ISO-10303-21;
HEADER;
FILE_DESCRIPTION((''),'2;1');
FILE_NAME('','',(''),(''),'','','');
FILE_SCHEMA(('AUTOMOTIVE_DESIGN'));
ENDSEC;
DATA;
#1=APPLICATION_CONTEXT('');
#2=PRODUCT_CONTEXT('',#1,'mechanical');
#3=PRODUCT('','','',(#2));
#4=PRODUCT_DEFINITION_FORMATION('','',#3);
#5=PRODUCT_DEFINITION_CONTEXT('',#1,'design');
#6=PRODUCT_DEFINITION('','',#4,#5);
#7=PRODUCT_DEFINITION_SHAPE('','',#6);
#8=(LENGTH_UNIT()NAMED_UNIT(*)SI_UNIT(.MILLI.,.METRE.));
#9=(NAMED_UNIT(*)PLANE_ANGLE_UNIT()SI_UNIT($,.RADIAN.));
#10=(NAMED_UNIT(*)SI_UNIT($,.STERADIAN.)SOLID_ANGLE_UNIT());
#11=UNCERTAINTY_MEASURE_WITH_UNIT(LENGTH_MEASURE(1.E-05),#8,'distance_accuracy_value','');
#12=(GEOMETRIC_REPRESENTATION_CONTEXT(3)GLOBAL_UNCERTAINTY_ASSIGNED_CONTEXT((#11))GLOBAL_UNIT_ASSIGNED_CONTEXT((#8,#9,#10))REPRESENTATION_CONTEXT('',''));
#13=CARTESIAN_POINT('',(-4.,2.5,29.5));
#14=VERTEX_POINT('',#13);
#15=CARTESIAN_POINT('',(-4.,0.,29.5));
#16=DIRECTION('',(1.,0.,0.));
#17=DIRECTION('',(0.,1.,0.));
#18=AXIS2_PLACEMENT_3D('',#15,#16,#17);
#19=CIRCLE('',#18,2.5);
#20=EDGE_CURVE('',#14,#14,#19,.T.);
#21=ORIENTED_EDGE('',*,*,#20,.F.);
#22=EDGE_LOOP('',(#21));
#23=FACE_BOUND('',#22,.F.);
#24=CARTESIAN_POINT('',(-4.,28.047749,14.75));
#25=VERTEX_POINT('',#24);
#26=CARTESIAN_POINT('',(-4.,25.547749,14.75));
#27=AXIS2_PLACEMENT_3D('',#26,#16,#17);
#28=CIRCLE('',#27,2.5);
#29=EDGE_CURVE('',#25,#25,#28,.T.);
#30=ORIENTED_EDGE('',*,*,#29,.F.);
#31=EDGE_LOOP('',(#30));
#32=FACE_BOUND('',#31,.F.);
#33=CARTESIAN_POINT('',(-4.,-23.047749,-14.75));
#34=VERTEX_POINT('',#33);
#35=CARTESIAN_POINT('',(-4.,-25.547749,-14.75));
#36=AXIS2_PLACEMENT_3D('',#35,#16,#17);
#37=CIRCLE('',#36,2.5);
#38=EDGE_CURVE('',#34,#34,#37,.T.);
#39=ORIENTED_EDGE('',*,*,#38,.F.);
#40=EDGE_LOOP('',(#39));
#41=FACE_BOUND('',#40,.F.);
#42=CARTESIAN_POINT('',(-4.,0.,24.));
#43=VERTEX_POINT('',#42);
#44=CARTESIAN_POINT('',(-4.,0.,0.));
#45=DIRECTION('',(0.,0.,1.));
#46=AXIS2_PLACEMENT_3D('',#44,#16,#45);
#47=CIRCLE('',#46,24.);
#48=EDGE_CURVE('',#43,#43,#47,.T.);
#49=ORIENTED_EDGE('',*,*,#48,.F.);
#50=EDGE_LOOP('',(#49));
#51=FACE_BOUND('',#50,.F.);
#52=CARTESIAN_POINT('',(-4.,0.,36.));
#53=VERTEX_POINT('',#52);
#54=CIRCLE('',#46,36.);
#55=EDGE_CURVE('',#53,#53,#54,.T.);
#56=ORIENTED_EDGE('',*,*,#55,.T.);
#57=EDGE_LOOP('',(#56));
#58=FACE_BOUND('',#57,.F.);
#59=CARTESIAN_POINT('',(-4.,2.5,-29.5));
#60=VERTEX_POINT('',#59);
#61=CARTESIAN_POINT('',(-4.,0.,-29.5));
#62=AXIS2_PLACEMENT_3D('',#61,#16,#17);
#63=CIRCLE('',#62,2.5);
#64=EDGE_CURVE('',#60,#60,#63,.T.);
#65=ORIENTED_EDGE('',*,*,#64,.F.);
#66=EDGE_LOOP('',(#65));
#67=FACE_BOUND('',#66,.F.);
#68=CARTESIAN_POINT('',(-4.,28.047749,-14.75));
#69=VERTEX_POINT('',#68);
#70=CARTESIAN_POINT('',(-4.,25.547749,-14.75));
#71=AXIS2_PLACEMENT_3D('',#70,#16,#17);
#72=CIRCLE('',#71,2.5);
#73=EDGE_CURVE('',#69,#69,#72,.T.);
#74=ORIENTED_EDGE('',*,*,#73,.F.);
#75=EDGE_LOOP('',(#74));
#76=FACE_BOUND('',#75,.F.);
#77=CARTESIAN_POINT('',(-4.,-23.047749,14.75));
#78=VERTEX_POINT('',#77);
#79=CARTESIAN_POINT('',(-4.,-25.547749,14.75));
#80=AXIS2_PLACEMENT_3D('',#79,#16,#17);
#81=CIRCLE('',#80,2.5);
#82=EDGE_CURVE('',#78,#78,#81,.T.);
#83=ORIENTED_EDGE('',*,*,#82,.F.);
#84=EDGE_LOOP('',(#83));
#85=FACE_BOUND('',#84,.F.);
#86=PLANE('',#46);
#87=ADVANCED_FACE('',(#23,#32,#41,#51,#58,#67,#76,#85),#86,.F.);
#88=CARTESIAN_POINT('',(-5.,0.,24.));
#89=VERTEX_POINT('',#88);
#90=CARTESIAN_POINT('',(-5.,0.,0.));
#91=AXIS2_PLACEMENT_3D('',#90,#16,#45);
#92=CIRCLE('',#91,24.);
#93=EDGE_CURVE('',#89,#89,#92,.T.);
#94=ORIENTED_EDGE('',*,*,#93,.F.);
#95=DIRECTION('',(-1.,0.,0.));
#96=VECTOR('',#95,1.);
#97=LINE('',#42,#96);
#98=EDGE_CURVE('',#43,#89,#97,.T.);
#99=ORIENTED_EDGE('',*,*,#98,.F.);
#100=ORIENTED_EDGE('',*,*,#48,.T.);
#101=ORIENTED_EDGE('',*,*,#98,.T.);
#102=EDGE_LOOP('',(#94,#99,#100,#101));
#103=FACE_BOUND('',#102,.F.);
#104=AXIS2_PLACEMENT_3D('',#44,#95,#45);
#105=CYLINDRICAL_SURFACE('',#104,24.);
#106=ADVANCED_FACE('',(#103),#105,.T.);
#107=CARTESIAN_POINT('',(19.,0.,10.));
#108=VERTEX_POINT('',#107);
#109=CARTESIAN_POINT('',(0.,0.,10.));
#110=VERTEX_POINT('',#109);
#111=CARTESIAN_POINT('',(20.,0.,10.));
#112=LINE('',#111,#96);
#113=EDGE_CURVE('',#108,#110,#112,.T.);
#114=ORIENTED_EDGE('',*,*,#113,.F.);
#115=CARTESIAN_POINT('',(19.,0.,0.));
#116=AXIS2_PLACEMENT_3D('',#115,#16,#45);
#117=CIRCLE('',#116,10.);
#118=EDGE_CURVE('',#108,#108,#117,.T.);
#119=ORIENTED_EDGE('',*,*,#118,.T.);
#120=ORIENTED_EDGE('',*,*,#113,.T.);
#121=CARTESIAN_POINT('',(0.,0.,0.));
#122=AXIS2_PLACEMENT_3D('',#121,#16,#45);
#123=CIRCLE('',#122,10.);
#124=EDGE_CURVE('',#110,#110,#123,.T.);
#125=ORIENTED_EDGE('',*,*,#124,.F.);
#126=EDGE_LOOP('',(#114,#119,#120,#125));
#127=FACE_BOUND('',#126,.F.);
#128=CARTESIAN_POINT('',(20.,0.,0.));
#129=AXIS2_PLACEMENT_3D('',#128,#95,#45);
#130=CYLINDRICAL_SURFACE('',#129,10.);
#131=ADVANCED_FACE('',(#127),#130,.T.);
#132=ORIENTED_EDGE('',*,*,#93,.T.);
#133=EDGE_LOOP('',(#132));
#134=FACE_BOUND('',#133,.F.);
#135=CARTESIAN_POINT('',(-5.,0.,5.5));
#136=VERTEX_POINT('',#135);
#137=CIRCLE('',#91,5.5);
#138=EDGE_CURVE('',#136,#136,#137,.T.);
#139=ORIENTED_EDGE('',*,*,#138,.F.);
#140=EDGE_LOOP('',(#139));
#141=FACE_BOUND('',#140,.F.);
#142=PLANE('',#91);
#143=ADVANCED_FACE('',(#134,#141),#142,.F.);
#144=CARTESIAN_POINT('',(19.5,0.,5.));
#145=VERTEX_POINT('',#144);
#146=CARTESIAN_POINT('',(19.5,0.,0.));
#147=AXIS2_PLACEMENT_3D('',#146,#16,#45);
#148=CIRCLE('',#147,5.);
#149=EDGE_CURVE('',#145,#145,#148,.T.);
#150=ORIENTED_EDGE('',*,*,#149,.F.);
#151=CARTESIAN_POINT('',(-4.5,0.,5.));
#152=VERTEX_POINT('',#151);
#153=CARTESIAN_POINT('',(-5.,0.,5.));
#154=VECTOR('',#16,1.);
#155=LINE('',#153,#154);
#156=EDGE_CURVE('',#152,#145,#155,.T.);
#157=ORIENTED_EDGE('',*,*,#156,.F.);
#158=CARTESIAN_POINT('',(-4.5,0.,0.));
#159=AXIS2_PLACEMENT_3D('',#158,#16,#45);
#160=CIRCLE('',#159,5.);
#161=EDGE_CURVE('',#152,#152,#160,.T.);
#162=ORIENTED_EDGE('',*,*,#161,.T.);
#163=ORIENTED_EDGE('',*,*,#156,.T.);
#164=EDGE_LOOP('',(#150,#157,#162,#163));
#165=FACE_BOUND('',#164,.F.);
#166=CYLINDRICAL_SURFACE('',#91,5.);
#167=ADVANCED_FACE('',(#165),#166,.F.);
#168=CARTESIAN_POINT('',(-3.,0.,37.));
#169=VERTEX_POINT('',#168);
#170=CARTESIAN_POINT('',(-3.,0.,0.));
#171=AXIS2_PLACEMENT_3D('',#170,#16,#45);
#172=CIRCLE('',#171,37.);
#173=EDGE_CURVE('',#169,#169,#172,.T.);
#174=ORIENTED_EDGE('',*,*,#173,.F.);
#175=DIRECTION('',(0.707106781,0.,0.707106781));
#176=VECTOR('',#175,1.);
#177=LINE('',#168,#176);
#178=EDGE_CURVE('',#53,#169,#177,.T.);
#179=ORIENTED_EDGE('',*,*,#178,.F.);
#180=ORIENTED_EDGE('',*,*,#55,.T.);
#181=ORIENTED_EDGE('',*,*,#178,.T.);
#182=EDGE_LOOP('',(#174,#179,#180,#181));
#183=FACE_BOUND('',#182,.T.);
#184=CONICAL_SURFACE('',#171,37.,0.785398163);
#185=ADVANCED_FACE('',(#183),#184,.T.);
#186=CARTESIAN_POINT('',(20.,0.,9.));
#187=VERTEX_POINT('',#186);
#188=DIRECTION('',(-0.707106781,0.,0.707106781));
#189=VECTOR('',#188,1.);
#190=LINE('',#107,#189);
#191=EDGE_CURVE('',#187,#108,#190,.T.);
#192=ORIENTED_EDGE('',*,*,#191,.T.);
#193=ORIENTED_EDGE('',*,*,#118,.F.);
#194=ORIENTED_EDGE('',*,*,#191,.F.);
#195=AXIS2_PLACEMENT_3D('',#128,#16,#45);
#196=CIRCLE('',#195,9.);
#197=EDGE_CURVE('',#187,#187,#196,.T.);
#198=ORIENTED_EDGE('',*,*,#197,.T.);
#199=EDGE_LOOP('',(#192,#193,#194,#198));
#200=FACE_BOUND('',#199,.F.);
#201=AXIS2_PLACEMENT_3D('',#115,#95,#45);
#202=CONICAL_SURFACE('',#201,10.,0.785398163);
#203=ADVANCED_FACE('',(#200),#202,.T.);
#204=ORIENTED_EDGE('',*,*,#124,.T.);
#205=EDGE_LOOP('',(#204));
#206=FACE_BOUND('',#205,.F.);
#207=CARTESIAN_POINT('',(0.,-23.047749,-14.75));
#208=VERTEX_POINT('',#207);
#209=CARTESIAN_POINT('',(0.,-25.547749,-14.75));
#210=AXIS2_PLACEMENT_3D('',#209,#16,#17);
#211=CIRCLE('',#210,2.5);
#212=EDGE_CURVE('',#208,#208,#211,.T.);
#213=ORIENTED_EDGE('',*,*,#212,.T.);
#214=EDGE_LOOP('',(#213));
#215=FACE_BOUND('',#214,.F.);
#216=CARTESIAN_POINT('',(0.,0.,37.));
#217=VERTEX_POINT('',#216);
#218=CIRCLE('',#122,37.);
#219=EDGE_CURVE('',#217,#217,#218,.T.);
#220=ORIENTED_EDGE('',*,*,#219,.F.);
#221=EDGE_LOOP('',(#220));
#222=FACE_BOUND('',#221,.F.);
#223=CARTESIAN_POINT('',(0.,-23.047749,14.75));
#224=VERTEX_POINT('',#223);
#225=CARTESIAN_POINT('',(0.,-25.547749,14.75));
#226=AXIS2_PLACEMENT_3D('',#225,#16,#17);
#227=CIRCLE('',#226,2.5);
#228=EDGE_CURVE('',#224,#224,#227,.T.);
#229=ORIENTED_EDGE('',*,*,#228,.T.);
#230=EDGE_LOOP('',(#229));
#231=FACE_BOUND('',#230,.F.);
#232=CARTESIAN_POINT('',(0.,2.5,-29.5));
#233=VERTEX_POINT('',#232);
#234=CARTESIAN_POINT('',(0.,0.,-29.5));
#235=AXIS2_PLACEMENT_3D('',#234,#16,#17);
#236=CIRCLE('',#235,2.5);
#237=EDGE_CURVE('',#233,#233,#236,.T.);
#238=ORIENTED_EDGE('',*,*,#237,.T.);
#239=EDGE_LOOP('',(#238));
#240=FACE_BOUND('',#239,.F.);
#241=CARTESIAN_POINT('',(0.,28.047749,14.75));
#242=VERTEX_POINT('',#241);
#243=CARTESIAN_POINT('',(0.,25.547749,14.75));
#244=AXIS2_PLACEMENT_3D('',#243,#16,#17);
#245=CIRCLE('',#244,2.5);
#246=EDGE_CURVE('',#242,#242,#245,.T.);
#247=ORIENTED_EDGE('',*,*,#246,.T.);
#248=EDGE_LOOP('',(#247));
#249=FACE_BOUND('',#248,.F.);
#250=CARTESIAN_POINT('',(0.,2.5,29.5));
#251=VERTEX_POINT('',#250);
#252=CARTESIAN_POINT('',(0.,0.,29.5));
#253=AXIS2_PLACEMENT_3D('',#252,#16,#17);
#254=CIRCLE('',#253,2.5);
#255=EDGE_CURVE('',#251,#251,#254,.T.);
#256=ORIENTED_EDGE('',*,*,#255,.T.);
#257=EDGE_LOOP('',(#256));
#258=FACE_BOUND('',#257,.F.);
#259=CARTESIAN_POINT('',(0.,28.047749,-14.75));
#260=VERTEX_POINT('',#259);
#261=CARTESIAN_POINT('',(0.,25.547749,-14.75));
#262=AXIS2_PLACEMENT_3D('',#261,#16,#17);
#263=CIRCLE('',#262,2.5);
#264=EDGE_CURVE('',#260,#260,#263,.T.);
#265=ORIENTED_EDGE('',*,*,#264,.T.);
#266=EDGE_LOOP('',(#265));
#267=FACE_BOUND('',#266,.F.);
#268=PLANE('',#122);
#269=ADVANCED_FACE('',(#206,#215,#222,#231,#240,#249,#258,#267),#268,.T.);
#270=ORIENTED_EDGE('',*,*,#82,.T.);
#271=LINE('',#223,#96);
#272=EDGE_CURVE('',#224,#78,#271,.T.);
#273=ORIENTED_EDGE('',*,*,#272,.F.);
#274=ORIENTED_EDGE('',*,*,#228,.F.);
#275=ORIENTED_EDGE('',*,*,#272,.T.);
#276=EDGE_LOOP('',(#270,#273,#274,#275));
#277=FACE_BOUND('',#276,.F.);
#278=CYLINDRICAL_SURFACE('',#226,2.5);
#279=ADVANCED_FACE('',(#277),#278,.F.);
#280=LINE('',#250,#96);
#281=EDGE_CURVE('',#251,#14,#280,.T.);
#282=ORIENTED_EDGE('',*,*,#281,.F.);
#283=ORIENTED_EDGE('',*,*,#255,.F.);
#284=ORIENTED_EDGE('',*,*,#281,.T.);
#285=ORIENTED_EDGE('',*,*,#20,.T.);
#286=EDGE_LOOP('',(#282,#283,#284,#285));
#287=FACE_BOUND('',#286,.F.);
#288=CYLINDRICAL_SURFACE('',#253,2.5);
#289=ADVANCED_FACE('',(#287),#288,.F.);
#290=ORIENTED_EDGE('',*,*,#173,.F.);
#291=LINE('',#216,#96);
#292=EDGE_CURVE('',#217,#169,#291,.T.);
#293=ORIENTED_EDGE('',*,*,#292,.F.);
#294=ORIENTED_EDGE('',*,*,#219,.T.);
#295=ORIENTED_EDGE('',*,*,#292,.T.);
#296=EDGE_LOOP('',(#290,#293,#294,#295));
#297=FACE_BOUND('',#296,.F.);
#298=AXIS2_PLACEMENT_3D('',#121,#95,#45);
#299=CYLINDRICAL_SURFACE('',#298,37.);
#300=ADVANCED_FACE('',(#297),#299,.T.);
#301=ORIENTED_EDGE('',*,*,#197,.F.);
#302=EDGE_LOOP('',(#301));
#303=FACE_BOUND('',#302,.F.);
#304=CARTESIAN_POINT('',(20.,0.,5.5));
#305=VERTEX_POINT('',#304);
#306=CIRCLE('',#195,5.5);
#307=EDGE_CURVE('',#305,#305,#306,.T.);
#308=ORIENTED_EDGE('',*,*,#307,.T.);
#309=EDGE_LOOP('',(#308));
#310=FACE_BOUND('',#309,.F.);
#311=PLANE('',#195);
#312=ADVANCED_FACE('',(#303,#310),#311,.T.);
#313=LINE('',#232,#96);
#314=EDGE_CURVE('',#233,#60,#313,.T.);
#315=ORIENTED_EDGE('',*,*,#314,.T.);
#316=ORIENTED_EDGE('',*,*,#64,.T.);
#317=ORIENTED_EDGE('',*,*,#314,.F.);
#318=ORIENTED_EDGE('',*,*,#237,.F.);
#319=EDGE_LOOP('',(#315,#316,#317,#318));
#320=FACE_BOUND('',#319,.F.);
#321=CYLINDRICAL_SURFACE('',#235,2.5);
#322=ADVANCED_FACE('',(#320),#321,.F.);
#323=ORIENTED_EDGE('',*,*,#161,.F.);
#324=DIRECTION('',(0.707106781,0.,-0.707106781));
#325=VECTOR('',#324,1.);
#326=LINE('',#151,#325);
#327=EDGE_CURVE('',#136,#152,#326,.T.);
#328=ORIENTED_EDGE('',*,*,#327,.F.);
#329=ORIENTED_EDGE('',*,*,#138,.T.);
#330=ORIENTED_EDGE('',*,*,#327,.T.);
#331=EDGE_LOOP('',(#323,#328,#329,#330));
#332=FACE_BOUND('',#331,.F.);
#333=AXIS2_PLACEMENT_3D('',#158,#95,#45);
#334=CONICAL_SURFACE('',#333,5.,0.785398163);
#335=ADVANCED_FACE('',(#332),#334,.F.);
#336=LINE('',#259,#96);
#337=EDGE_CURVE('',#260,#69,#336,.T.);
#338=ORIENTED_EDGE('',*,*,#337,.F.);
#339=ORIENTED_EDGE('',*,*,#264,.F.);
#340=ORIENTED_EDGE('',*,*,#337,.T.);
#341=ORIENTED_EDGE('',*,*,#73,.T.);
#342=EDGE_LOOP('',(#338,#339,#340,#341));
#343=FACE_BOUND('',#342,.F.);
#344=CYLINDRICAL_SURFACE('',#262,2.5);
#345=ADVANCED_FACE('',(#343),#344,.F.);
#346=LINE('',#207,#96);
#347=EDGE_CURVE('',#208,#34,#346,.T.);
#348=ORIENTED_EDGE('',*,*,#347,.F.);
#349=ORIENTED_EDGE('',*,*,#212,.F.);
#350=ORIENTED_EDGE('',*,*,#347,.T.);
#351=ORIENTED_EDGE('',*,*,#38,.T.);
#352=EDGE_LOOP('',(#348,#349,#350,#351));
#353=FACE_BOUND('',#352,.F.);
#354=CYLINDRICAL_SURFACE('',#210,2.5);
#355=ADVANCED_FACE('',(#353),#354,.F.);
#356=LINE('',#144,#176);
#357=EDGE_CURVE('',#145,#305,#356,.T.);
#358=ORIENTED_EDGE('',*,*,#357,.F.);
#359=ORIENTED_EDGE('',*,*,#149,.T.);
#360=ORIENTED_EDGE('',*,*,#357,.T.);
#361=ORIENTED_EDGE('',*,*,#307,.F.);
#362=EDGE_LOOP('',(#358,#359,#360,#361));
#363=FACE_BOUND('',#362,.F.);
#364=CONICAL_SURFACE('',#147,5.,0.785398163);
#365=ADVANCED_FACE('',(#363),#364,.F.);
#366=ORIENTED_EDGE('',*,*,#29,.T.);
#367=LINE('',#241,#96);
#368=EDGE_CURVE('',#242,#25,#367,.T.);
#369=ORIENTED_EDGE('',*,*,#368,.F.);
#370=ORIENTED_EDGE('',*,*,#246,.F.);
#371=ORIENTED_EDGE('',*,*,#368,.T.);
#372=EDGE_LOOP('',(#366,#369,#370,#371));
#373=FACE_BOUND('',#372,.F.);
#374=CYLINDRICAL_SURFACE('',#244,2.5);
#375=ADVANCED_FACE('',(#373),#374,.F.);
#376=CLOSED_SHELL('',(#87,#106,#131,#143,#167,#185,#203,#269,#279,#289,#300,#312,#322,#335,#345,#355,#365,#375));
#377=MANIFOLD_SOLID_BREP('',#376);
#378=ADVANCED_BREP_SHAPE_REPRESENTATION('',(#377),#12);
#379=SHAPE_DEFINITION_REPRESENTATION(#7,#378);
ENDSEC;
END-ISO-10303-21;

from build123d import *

# Parameters (mm, degrees)
F2_R     = 2.5
F3_DEPTH = 5.001
F4_SIZE  = 1
F5_SIZE  = 0.5


with BuildPart() as f1:
    # F0 (on Front) → F1 (revolve)
    with BuildSketch(Plane.XZ):
        Polygon((-5, 24), (-5, 5), (0, 5), (20, 5), (20, 10), (0, 10), (0, 37), (-4, 37), (-4, 24), align=None)
    revolve(axis=Axis((1.734695, 0, 0), (1, 0, 0)))

    # F2 (on face) → F3 (cut, through all)
    with BuildSketch(Plane.YZ):
        with Locations((0, 29.5)):
            Circle(F2_R)
        with Locations((-25.547749, 14.75)):
            Circle(F2_R)
        with Locations((-25.547749, -14.75)):
            Circle(F2_R)
        with Locations((0, -29.5)):
            Circle(F2_R)
        with Locations((25.547749, -14.75)):
            Circle(F2_R)
        with Locations((25.547749, 14.75)):
            Circle(F2_R)
    extrude(amount=-F3_DEPTH, mode=Mode.SUBTRACT)

    # F4
    f4_edges = [f1.edges().sort_by_distance(p)[0] for p in [
        (20, 0, -10),
        (-4, 0, -37),
    ]]
    chamfer(f4_edges, length=F4_SIZE)

    # F5
    f5_edges = [f1.edges().sort_by_distance(p)[0] for p in [
        (-5, 0, -5),
        (20, 0, -5),
    ]]
    chamfer(f5_edges, length=F5_SIZE)


solid = f1.part
